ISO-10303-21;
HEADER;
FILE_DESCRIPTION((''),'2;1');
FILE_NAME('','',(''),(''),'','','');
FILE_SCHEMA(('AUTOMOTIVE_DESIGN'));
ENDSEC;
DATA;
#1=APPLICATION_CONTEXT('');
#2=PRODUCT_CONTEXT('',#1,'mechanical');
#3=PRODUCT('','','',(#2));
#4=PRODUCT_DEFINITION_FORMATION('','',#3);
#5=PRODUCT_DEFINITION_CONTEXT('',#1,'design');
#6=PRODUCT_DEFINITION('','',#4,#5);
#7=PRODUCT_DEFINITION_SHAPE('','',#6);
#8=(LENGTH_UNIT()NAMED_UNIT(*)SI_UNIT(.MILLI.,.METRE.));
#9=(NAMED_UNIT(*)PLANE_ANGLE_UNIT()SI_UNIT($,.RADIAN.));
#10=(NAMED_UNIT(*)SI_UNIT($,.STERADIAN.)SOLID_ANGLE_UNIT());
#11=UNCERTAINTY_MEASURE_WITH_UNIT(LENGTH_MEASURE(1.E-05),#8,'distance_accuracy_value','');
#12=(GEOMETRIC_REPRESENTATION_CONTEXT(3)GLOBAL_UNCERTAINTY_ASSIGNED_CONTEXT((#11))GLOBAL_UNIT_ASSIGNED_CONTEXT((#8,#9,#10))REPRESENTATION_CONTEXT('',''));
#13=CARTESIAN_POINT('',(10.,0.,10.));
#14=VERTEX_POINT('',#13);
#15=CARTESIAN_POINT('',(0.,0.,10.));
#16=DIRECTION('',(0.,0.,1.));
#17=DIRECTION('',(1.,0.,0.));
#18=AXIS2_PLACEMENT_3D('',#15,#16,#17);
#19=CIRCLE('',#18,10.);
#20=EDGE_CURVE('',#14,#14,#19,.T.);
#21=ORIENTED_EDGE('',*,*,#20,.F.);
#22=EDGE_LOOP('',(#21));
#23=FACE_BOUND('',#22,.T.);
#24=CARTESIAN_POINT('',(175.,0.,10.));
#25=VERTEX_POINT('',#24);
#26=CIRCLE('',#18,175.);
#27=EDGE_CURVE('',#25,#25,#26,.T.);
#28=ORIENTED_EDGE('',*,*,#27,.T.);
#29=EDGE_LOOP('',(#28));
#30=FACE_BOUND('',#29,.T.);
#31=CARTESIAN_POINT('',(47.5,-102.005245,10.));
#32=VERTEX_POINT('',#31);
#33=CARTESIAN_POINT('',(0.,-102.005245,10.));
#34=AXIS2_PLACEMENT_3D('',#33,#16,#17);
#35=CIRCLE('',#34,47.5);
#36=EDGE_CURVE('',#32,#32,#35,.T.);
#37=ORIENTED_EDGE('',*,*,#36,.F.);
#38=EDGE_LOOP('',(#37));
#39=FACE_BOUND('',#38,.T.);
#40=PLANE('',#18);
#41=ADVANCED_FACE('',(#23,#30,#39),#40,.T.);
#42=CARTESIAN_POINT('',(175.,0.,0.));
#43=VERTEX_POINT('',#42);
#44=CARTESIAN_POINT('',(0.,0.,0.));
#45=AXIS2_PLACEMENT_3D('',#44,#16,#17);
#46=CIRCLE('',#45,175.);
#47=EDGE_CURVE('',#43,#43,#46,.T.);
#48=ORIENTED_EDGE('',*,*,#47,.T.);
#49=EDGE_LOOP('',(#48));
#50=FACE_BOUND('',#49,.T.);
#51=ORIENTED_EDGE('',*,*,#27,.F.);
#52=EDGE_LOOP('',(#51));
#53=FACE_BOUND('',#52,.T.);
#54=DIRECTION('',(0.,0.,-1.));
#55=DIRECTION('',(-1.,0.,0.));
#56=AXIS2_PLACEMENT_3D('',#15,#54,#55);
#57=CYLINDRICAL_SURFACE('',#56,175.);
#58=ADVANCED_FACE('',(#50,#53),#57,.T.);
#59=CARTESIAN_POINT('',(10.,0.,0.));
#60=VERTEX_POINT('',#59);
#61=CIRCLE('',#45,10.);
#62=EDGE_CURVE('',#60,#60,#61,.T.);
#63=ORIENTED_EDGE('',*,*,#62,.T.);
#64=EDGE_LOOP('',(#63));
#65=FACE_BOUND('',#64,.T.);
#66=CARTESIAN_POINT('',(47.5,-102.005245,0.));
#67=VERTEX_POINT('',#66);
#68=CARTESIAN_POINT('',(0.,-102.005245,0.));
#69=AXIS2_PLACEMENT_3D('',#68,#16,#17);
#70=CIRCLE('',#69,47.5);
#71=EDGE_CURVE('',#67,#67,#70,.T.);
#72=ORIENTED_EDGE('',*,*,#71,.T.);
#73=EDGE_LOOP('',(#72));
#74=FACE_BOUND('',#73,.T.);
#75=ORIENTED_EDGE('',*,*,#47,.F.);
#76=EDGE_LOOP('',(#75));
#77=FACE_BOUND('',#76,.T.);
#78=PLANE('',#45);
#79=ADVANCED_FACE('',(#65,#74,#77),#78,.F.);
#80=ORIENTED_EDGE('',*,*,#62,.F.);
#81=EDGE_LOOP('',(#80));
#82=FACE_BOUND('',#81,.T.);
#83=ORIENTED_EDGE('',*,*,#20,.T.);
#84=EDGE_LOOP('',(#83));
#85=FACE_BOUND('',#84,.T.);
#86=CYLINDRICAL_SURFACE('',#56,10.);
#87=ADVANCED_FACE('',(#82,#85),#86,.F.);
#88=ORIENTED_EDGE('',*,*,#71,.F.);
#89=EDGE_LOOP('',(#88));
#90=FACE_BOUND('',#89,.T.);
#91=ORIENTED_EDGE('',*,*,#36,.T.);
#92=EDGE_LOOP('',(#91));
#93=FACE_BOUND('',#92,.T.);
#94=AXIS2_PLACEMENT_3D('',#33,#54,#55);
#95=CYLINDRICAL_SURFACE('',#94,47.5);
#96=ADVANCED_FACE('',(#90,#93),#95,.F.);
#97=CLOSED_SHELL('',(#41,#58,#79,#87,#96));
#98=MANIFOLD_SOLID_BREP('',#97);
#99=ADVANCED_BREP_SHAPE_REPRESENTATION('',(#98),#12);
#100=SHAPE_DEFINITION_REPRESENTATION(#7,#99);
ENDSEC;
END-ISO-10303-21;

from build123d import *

# Parameters (mm, degrees)
BOSS_EXTRUDE3_DEPTH = 10


with BuildPart() as part:
    # Sketch1 → Boss-Extrude3 (new body)
    with BuildSketch(Plane.XY):
        with BuildLine():
            ThreePointArc((175, 0), (-123.743686708, 123.743686708), (0, -175))
            ThreePointArc((0, -175), (123.743686708, -123.743686708), (175, 0))
        make_face()
        with BuildLine():
            ThreePointArc((0, -149.505245109), (-47.5, -102.005245109), (0, -54.505245109))
            ThreePointArc((0, -54.505245109), (33.587572106, -68.417673002), (47.5, -102.005245109))
            ThreePointArc((47.5, -102.005245109), (33.587572106, -135.592817215), (0, -149.505245109))
        make_face(mode=Mode.SUBTRACT)
        with BuildLine():
            ThreePointArc((10, 0), (7.071067812, -7.071067812), (0, -10))
            ThreePointArc((0, -10), (-7.071067812, 7.071067812), (10, 0))
        make_face(mode=Mode.SUBTRACT)
    extrude(amount=BOSS_EXTRUDE3_DEPTH)


solid = part.part
